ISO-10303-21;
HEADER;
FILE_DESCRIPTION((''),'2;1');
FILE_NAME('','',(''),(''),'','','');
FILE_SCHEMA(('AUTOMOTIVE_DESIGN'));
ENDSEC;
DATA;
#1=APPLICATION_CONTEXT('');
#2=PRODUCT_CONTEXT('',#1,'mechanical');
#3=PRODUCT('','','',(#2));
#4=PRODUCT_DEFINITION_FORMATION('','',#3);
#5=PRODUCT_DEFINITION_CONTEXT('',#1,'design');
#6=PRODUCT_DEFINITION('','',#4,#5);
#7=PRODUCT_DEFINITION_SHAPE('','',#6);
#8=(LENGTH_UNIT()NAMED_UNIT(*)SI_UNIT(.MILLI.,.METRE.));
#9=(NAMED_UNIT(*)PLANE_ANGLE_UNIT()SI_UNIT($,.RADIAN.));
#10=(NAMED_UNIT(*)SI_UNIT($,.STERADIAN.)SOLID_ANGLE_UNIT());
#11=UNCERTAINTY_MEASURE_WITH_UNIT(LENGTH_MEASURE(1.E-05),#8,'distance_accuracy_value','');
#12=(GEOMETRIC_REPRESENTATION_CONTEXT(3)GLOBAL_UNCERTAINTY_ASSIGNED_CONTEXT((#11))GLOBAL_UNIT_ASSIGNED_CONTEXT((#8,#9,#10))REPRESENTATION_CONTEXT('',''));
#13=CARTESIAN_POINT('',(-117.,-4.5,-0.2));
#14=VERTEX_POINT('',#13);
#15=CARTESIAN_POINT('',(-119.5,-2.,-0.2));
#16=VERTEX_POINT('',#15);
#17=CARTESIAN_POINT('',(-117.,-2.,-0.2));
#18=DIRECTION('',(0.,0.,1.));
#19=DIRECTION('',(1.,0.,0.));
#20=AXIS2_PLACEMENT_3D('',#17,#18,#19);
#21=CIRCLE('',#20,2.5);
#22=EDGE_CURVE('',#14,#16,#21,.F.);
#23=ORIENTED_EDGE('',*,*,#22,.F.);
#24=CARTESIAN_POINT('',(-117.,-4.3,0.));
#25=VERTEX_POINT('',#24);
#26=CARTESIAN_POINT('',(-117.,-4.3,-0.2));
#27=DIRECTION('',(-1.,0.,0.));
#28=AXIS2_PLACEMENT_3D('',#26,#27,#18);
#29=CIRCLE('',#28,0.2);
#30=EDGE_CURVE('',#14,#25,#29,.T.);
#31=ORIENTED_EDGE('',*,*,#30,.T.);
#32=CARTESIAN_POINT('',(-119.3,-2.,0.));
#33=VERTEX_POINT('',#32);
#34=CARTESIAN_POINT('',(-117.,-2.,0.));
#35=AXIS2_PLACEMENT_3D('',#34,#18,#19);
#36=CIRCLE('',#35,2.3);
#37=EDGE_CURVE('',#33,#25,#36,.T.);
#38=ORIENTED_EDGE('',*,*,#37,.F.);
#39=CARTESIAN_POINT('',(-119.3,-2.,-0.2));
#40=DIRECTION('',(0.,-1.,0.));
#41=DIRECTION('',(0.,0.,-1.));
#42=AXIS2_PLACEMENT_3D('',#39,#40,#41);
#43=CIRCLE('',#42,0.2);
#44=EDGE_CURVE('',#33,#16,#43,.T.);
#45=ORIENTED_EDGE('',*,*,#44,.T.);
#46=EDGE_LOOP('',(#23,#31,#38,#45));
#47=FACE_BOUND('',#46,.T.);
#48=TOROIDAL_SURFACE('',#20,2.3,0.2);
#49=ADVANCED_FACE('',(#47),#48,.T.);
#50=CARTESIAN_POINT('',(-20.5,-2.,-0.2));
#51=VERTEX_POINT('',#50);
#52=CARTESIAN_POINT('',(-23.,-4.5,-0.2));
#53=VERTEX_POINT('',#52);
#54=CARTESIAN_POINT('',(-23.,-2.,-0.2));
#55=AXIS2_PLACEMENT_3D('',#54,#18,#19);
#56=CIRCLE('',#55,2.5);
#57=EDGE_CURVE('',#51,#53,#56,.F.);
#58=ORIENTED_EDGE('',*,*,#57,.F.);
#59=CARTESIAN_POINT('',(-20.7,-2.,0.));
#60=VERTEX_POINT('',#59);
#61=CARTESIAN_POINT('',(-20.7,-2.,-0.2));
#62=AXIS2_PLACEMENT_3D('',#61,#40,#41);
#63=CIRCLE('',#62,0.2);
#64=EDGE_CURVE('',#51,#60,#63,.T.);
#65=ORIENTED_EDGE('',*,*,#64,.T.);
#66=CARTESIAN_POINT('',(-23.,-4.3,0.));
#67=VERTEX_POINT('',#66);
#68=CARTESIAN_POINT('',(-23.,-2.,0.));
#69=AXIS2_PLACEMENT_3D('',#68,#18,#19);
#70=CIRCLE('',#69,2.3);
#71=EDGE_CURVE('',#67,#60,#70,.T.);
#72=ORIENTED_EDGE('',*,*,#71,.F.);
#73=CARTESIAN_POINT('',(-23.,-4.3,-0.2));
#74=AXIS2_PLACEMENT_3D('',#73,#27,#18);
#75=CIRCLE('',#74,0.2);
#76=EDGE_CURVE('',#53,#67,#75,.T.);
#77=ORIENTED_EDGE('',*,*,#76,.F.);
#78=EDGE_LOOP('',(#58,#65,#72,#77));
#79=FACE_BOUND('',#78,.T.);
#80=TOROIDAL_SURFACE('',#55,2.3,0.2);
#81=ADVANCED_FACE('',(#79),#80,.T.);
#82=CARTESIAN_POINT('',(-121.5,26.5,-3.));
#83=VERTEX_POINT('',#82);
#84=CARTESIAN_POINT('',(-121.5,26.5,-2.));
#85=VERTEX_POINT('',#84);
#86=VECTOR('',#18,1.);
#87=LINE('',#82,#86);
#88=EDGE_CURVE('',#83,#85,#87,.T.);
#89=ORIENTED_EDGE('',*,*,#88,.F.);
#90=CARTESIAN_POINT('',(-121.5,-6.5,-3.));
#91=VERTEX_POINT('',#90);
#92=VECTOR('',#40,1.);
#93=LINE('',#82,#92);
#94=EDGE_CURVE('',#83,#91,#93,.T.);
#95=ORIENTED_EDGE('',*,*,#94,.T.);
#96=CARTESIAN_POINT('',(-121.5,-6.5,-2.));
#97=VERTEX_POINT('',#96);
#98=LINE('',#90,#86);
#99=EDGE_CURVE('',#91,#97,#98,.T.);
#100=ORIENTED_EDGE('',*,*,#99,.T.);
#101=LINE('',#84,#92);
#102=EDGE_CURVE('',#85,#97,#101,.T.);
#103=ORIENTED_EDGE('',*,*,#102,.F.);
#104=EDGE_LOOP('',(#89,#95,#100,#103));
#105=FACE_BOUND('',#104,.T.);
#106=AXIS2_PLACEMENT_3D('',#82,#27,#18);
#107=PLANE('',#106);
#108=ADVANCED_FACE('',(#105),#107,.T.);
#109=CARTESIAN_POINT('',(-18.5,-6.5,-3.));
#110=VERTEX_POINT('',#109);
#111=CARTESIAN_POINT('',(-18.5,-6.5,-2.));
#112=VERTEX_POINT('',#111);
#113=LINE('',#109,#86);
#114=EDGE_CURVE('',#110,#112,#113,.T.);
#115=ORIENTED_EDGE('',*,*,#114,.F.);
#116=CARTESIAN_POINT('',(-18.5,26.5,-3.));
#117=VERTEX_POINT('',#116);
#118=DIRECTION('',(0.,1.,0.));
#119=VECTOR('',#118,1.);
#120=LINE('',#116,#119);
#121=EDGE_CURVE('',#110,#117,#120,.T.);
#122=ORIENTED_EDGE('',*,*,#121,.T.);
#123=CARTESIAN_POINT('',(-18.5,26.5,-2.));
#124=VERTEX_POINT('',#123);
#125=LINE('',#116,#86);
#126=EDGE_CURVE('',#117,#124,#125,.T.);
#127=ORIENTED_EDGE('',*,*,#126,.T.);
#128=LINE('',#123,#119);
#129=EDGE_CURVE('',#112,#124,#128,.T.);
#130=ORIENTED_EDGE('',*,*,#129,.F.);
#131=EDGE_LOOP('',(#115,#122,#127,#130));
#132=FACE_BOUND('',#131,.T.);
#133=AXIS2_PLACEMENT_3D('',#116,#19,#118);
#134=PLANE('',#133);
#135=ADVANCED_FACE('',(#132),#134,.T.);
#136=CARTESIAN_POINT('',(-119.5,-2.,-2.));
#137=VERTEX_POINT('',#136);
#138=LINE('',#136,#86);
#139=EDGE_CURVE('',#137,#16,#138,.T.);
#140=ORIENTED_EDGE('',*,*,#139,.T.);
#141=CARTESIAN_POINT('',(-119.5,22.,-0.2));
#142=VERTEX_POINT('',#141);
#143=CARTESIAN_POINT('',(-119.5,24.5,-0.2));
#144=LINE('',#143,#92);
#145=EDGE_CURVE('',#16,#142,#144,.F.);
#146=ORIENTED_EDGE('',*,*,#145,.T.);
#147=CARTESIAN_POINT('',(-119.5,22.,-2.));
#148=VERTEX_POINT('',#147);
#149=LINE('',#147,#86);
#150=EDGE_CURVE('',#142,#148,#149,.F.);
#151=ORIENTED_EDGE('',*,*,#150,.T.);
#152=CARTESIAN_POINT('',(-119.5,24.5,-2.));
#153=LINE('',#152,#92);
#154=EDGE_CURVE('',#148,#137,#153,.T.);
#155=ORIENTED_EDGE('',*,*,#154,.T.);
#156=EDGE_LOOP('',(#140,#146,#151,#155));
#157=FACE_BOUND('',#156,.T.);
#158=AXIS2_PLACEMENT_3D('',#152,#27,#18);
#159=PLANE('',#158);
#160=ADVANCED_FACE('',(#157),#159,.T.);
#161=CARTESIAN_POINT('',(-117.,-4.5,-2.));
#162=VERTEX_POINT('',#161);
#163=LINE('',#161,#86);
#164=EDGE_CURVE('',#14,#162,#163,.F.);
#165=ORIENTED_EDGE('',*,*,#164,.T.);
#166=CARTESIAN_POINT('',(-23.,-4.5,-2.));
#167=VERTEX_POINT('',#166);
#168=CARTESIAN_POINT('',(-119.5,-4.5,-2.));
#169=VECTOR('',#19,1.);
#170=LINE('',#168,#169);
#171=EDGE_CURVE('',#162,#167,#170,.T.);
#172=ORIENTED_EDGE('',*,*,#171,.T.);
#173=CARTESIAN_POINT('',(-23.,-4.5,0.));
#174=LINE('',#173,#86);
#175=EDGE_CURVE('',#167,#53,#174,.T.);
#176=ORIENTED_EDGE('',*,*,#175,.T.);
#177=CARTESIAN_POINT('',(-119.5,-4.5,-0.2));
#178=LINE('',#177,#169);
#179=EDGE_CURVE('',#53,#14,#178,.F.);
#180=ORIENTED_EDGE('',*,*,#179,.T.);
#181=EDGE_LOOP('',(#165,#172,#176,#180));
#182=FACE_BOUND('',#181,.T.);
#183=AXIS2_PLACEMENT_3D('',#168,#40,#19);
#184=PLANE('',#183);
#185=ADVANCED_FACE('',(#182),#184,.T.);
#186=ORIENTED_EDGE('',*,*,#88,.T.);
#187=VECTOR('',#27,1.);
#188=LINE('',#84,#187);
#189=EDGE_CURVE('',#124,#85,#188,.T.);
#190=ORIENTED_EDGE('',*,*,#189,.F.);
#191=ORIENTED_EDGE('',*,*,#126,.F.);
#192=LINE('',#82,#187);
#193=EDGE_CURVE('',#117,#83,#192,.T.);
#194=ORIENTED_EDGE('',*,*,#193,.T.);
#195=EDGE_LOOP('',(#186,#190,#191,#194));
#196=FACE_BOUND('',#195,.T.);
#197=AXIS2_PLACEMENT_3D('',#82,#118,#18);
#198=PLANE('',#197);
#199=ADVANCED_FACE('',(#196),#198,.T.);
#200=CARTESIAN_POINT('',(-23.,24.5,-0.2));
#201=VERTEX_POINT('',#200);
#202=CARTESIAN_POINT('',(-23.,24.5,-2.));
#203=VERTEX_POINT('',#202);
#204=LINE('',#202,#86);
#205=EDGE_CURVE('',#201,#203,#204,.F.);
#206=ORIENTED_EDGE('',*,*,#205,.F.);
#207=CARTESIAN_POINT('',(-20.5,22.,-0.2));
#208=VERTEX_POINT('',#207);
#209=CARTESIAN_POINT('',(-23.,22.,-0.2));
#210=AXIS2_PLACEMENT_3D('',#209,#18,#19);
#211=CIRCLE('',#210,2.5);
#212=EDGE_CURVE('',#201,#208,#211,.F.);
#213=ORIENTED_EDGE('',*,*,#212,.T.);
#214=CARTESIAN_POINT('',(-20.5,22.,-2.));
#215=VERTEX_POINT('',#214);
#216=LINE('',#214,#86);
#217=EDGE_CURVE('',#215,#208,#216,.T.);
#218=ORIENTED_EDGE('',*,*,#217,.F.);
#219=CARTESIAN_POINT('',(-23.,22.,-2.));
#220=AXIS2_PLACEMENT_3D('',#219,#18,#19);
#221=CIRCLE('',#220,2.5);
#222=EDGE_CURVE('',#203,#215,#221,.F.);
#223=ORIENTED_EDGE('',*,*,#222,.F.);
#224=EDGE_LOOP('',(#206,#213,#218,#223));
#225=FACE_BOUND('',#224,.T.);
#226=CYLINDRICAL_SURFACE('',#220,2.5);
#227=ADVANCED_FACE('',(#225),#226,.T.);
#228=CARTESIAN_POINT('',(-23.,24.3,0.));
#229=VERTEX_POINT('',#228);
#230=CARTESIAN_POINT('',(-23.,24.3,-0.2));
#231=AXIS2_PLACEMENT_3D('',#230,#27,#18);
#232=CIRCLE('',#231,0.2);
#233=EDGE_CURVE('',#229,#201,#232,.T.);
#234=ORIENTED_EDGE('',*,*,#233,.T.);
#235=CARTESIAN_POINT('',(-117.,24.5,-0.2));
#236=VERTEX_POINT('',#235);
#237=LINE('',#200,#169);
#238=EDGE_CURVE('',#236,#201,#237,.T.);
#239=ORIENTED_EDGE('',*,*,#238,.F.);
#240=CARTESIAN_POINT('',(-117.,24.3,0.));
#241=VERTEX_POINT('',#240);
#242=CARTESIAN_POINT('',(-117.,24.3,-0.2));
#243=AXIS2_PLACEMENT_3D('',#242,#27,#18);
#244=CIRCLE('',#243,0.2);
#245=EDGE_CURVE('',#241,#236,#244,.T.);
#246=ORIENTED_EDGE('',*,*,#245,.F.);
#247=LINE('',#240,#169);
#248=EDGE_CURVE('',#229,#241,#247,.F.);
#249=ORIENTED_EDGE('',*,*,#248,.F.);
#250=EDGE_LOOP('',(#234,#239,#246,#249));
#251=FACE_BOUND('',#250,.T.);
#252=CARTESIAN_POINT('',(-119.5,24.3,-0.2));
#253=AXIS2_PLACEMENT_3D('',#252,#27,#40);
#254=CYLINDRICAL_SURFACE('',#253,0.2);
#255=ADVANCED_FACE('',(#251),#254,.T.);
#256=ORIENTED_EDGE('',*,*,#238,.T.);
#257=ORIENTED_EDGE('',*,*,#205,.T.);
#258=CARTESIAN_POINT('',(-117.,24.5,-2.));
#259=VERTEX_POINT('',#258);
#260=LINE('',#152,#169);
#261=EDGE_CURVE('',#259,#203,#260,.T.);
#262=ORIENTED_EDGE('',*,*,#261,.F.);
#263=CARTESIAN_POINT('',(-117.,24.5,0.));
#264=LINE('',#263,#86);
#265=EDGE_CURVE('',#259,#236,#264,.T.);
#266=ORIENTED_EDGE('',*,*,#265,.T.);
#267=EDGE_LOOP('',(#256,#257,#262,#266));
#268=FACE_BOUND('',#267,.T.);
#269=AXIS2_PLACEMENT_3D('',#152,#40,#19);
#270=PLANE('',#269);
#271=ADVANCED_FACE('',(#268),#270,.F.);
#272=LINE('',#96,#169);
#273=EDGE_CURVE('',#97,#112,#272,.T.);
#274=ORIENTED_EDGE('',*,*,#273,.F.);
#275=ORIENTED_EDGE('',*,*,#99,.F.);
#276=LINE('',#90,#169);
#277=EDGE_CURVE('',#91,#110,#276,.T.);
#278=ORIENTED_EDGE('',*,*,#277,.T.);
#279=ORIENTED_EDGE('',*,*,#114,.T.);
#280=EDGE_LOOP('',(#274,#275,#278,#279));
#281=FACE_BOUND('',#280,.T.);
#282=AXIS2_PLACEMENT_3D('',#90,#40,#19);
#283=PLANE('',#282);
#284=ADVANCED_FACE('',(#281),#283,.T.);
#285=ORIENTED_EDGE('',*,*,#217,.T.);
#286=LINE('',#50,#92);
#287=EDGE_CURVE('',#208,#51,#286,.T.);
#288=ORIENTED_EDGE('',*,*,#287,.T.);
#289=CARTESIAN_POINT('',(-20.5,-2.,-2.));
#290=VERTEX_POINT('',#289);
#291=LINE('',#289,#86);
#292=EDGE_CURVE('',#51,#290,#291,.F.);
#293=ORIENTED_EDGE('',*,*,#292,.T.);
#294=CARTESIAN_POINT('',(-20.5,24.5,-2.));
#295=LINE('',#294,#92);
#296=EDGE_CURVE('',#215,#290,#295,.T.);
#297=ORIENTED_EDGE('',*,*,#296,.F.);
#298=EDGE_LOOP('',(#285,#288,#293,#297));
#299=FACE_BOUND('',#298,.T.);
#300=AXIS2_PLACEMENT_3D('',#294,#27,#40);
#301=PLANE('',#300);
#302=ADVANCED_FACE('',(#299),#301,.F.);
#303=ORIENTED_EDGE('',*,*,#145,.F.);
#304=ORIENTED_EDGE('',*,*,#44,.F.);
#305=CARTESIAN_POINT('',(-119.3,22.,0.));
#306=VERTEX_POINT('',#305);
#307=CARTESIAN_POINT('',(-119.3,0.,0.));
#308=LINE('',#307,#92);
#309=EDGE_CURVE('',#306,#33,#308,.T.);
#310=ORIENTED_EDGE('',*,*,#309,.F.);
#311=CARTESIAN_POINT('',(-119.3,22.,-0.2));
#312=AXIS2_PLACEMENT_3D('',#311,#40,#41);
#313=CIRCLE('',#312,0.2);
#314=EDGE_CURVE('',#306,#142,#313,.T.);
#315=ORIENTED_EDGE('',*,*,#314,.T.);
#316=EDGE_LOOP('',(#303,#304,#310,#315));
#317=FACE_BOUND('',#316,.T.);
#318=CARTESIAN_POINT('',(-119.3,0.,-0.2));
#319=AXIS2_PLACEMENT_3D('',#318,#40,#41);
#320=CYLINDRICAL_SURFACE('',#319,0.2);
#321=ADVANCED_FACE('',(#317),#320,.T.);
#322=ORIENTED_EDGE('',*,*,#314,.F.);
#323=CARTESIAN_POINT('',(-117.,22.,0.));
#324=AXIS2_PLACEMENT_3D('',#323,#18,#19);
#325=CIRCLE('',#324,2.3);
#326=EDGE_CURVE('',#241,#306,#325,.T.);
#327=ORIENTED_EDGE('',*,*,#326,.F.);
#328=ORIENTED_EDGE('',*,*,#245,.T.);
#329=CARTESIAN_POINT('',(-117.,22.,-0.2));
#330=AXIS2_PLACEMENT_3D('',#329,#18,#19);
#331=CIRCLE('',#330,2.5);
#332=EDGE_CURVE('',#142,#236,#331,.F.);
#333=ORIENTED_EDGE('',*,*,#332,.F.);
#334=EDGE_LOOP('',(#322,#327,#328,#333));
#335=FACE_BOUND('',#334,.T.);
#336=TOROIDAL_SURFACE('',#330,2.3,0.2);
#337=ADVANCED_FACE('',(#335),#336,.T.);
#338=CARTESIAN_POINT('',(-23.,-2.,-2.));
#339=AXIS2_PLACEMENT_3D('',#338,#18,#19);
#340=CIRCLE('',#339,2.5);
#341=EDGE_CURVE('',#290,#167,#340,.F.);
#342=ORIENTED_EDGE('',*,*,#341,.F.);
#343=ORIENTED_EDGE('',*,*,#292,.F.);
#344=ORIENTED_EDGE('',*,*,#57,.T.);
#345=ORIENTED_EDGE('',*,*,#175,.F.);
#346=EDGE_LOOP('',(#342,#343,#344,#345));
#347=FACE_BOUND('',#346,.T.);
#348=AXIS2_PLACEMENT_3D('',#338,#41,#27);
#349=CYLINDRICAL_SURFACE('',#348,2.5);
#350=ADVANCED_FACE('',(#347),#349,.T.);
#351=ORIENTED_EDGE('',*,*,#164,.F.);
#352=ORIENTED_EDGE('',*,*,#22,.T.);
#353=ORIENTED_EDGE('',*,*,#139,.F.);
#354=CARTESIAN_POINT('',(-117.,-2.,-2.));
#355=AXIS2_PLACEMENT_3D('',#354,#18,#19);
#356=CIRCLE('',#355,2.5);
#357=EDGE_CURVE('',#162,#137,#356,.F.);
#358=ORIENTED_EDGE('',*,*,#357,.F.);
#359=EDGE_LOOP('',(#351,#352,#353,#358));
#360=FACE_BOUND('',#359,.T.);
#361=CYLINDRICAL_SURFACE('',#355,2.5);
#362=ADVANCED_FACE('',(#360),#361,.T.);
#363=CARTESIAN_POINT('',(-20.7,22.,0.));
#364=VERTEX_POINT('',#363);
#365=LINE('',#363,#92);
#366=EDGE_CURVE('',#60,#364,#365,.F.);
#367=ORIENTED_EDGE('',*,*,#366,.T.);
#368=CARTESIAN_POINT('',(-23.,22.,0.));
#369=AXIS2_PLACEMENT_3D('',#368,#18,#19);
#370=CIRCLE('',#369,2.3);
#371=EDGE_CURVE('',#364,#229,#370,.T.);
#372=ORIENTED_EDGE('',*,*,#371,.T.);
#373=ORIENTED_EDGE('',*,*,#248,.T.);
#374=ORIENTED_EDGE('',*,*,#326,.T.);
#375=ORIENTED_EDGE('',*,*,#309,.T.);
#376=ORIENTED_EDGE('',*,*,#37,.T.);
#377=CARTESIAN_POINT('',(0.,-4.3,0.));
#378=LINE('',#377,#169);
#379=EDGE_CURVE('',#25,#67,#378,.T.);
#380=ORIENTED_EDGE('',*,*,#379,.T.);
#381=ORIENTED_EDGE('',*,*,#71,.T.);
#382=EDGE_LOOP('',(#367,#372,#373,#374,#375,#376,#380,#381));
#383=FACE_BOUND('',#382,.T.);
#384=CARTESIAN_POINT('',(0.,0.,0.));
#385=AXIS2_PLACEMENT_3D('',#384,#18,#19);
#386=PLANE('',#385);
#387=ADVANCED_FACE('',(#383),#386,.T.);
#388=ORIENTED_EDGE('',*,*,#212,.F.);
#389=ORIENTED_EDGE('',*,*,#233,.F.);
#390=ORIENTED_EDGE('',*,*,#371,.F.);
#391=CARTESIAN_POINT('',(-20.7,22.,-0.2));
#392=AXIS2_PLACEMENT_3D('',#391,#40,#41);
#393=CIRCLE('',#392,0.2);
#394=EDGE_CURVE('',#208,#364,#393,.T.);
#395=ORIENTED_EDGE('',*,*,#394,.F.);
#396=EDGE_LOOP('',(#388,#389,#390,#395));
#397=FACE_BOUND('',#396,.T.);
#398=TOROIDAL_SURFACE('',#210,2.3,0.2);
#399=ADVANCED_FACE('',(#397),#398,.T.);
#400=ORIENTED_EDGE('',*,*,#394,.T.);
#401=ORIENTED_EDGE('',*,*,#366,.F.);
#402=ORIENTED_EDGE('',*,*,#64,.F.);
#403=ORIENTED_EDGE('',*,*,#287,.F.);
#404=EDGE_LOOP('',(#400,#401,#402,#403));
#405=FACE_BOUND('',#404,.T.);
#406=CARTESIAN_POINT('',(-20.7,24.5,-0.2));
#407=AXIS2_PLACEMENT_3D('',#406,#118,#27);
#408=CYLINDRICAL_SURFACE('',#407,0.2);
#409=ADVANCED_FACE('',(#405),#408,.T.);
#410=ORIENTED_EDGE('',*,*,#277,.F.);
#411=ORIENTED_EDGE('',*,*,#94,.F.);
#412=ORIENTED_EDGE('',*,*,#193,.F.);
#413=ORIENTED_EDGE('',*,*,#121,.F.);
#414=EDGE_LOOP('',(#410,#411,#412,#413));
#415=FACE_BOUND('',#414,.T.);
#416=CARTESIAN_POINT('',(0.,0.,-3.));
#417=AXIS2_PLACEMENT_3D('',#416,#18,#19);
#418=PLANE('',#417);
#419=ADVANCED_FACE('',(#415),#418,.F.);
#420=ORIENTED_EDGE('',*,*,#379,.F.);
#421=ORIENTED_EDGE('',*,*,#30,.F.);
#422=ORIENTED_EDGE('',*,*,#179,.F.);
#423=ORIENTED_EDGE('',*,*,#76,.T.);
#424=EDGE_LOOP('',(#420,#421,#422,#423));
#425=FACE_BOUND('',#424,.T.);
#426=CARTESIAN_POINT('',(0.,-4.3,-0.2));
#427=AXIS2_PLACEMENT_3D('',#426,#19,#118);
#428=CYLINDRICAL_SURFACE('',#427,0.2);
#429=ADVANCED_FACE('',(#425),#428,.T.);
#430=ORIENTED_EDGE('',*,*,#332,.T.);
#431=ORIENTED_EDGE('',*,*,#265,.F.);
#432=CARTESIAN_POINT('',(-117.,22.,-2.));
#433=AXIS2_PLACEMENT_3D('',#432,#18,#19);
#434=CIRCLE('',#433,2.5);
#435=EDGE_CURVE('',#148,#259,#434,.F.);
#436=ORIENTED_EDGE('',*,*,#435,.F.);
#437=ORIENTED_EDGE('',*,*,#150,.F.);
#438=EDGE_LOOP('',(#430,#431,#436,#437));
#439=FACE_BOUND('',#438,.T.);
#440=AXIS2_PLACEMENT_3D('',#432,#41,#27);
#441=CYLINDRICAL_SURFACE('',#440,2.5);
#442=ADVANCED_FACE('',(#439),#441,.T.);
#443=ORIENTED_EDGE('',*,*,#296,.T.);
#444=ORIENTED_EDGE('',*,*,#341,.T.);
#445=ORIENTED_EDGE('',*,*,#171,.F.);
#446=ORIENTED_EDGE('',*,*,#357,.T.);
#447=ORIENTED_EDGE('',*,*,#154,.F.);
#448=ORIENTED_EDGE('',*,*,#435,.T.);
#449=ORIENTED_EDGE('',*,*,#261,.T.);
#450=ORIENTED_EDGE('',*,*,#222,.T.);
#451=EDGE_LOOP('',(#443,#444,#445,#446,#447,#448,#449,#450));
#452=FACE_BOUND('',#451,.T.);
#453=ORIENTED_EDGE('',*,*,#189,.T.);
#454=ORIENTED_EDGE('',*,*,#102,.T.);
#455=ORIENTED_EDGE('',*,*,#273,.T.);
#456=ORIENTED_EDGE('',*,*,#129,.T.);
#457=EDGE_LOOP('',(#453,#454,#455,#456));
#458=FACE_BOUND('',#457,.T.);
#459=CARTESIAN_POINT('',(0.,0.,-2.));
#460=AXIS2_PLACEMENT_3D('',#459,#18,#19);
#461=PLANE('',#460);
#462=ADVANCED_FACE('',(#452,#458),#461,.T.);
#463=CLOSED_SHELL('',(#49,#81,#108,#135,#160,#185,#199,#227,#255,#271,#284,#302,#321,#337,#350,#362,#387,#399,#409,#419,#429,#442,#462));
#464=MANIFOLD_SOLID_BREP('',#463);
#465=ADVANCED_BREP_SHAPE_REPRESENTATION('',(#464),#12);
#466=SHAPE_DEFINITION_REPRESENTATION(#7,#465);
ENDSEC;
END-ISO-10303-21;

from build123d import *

# Parameters (mm, degrees)
SKETCH_1_W      = 99
SKETCH_1_H      = 29
EXTRUDE_2_DEPTH = 2
FILLET_1_R      = 2.5
SKETCH_3_W      = 103
SKETCH_3_H      = 33
EXTRUDE_3_DEPTH = 1
FILLET_2_R      = 0.2


with BuildPart() as part:
    # Эскиз1 → Бобышка-Вытянуть2 (new body)
    with BuildSketch(Plane.XY):
        with Locations((-70, 10)):
            Rectangle(SKETCH_1_W, SKETCH_1_H)
    extrude(amount=-EXTRUDE_2_DEPTH)

    # Скругление1
    fillet_1_edges = [part.edges().sort_by_distance(p)[0] for p in [
        (-119.5, 24.5, -1),
        (-20.5, 24.5, -1),
        (-20.5, -4.5, -1),
        (-119.5, -4.5, -1),
    ]]
    fillet(fillet_1_edges, radius=FILLET_1_R)

    # Эскиз3 → Бобышка-Вытянуть3 (add)
    with BuildSketch(Plane.XY.offset(-2)):
        with Locations((-70, 10)):
            Rectangle(SKETCH_3_W, SKETCH_3_H)
    extrude(amount=-EXTRUDE_3_DEPTH)

    # Скругление2
    fillet_2_edges = [part.edges().sort_by_distance(p)[0] for p in [
        (-70, -4.5, 0),
        (-119.5, 10, 0),
        (-20.5, 10, 0),
        (-70, 24.5, 0),
        (-21.232233047, 23.767766953, 0),
        (-118.767766953, 23.767766953, 0),
        (-118.767766953, -3.767766953, 0),
        (-21.232233047, -3.767766953, 0),
    ]]
    fillet(fillet_2_edges, radius=FILLET_2_R)


solid = part.part
